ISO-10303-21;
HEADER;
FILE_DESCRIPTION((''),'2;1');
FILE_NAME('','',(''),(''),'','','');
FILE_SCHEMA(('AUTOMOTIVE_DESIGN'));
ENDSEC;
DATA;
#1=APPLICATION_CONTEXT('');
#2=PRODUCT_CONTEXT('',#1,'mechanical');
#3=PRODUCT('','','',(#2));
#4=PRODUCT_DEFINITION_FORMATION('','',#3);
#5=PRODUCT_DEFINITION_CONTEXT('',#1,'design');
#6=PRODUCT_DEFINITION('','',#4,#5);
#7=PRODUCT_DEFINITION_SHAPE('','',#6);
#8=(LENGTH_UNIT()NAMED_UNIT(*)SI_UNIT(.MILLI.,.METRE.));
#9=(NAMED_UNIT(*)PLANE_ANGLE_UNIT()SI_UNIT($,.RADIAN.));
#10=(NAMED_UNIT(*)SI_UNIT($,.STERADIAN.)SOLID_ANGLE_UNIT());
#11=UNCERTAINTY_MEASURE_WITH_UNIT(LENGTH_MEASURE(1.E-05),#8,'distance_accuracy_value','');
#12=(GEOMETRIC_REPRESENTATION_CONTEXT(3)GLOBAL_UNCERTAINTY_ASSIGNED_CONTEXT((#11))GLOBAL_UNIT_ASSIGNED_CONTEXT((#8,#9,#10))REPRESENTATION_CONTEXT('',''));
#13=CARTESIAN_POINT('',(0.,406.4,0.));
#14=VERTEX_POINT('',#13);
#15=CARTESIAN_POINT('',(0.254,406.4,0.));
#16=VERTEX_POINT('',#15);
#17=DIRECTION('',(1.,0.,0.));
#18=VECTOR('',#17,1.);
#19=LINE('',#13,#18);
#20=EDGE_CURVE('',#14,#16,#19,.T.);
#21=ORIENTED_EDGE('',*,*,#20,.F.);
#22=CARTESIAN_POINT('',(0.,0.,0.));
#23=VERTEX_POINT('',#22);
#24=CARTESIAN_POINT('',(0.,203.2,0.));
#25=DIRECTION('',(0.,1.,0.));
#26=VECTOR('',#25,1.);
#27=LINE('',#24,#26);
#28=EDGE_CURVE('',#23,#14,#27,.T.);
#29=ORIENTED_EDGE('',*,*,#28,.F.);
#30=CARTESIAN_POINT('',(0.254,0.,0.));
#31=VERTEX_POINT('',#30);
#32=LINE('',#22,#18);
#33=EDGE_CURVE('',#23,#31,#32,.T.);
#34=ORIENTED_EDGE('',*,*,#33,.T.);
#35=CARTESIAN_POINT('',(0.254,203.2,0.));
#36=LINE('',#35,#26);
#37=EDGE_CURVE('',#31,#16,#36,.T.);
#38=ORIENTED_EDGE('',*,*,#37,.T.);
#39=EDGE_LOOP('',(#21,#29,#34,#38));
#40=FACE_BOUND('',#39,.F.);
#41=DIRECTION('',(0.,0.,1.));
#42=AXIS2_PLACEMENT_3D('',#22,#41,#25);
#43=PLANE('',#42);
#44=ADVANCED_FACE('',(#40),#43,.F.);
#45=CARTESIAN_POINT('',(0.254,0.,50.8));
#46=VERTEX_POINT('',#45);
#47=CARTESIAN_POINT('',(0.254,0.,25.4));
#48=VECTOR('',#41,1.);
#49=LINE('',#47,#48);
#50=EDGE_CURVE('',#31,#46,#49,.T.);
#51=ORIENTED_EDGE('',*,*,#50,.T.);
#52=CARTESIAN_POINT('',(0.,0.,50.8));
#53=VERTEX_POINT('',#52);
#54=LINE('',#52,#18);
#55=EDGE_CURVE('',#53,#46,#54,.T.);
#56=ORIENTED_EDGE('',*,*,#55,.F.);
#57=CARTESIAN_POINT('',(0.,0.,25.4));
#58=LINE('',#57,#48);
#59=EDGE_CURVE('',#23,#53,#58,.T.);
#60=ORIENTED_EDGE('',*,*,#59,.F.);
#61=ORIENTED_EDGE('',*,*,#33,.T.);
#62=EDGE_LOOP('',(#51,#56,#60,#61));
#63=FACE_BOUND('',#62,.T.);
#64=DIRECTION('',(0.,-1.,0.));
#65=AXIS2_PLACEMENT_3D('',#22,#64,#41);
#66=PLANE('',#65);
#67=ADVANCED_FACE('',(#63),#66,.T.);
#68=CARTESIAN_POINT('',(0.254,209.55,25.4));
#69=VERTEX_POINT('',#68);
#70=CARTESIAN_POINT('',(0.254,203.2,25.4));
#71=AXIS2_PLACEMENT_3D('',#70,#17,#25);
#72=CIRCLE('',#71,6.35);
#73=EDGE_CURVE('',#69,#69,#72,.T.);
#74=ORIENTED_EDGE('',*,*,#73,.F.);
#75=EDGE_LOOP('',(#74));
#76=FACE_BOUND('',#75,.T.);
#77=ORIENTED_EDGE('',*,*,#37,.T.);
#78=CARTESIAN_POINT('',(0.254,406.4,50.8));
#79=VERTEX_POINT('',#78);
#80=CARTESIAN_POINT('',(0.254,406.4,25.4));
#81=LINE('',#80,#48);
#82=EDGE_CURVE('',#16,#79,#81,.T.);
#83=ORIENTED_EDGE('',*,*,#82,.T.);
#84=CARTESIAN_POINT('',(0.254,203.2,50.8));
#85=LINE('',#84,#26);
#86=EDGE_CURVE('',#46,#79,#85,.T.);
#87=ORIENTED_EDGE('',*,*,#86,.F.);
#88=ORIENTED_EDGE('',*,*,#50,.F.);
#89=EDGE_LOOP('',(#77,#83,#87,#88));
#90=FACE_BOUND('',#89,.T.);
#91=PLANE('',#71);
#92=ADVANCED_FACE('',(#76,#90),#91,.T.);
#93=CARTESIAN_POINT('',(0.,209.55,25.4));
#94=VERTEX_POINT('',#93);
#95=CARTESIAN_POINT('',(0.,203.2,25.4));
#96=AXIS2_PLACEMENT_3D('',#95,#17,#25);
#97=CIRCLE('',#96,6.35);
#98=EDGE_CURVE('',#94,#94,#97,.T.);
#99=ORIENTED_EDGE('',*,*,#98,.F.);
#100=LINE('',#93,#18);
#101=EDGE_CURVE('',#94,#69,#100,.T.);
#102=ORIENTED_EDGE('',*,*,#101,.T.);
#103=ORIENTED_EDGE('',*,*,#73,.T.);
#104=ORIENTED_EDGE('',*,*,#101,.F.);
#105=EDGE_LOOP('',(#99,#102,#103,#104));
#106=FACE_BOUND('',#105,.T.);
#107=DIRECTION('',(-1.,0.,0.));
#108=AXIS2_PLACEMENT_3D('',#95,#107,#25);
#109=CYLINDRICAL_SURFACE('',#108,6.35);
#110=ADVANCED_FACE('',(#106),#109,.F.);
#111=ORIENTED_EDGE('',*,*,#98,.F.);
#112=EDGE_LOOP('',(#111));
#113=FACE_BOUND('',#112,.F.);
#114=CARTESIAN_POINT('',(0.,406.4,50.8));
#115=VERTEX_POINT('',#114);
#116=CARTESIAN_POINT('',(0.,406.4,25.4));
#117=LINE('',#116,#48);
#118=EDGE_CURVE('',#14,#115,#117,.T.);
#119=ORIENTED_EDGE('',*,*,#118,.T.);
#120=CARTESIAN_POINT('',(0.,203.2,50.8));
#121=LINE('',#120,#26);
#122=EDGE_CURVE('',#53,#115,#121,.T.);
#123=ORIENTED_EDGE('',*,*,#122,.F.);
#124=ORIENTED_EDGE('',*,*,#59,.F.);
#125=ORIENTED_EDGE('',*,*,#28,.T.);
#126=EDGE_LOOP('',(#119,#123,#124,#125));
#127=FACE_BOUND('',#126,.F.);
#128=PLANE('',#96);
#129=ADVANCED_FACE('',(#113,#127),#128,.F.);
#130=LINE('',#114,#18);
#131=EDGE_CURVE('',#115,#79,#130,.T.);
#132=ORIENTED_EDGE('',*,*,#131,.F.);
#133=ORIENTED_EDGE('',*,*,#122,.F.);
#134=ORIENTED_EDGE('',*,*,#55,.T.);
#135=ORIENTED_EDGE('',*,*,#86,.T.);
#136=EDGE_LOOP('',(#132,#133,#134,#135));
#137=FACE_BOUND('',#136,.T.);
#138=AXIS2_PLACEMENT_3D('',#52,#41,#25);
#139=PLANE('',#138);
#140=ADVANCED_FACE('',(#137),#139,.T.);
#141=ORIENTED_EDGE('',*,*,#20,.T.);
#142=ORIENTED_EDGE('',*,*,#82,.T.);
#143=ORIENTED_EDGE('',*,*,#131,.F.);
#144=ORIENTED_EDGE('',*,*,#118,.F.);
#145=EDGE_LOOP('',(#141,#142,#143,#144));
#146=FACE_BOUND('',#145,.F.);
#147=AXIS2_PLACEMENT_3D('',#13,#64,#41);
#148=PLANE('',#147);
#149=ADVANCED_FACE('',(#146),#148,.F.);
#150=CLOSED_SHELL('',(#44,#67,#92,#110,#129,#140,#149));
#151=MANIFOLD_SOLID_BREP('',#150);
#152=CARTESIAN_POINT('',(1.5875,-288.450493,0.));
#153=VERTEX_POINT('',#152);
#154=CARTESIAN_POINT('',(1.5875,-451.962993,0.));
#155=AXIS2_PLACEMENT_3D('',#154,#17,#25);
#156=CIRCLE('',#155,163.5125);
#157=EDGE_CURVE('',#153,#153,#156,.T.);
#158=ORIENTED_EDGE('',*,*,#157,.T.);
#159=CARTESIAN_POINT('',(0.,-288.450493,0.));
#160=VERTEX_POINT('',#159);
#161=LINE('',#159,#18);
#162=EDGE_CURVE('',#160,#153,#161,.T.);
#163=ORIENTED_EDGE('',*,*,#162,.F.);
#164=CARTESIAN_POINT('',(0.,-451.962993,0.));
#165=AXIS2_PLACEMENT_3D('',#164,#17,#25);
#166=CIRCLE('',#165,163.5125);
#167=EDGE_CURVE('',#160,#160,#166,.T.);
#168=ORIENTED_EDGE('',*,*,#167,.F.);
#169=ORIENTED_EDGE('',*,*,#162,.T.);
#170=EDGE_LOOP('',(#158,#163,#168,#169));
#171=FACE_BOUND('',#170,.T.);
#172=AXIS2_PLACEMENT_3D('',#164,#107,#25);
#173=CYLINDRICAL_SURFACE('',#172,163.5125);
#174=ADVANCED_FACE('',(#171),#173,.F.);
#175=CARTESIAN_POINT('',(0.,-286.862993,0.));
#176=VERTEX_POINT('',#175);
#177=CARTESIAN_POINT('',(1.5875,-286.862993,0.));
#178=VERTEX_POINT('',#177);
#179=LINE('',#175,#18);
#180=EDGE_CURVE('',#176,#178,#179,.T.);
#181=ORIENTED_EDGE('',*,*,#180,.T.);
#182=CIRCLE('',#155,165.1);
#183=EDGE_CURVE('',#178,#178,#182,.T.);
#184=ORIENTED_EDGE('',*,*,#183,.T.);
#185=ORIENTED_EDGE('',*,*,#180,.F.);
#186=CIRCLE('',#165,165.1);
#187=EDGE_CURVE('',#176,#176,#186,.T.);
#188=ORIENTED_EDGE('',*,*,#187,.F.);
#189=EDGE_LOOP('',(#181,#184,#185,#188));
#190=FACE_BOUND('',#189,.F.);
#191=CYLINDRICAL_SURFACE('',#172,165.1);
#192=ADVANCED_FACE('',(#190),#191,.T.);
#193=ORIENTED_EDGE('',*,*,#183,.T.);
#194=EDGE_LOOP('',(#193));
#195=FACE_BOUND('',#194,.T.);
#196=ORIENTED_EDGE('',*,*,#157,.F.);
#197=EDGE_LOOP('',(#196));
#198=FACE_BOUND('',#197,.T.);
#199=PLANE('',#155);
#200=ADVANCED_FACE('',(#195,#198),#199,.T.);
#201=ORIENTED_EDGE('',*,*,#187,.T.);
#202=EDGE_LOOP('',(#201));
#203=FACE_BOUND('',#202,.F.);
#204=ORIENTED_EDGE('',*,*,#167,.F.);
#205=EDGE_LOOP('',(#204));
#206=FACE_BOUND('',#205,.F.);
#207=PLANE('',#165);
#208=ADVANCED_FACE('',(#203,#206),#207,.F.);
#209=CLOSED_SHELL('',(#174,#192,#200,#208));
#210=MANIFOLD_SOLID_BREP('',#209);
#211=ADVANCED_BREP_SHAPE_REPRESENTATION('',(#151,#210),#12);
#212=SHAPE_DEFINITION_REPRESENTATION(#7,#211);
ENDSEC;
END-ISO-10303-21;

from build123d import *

# Parameters (mm, degrees)
F0_W     = 406.4
F0_H     = 50.8
F0_R     = 6.35
F1_DEPTH = 0.254
F2_R     = 165.1
F2_R_2   = 163.5125
F3_DEPTH = 1.5875


with BuildPart() as f1:
    # F0 (on Right) → F1 (new body)
    with BuildSketch(Plane.YZ):
        with Locations((203.2, 25.4)):
            Rectangle(F0_W, F0_H)
        with Locations((203.2, 25.4)):
            Circle(F0_R, mode=Mode.SUBTRACT)
    extrude(amount=F1_DEPTH)


with BuildPart() as f3:
    # F2 (on Right) → F3 (new body)
    with BuildSketch(Plane.YZ):
        with Locations((-451.962993, 0)):
            Circle(F2_R)
        with Locations((-451.962993, 0)):
            Circle(F2_R_2, mode=Mode.SUBTRACT)
    extrude(amount=F3_DEPTH)


solid = Compound([f1.part, f3.part])
